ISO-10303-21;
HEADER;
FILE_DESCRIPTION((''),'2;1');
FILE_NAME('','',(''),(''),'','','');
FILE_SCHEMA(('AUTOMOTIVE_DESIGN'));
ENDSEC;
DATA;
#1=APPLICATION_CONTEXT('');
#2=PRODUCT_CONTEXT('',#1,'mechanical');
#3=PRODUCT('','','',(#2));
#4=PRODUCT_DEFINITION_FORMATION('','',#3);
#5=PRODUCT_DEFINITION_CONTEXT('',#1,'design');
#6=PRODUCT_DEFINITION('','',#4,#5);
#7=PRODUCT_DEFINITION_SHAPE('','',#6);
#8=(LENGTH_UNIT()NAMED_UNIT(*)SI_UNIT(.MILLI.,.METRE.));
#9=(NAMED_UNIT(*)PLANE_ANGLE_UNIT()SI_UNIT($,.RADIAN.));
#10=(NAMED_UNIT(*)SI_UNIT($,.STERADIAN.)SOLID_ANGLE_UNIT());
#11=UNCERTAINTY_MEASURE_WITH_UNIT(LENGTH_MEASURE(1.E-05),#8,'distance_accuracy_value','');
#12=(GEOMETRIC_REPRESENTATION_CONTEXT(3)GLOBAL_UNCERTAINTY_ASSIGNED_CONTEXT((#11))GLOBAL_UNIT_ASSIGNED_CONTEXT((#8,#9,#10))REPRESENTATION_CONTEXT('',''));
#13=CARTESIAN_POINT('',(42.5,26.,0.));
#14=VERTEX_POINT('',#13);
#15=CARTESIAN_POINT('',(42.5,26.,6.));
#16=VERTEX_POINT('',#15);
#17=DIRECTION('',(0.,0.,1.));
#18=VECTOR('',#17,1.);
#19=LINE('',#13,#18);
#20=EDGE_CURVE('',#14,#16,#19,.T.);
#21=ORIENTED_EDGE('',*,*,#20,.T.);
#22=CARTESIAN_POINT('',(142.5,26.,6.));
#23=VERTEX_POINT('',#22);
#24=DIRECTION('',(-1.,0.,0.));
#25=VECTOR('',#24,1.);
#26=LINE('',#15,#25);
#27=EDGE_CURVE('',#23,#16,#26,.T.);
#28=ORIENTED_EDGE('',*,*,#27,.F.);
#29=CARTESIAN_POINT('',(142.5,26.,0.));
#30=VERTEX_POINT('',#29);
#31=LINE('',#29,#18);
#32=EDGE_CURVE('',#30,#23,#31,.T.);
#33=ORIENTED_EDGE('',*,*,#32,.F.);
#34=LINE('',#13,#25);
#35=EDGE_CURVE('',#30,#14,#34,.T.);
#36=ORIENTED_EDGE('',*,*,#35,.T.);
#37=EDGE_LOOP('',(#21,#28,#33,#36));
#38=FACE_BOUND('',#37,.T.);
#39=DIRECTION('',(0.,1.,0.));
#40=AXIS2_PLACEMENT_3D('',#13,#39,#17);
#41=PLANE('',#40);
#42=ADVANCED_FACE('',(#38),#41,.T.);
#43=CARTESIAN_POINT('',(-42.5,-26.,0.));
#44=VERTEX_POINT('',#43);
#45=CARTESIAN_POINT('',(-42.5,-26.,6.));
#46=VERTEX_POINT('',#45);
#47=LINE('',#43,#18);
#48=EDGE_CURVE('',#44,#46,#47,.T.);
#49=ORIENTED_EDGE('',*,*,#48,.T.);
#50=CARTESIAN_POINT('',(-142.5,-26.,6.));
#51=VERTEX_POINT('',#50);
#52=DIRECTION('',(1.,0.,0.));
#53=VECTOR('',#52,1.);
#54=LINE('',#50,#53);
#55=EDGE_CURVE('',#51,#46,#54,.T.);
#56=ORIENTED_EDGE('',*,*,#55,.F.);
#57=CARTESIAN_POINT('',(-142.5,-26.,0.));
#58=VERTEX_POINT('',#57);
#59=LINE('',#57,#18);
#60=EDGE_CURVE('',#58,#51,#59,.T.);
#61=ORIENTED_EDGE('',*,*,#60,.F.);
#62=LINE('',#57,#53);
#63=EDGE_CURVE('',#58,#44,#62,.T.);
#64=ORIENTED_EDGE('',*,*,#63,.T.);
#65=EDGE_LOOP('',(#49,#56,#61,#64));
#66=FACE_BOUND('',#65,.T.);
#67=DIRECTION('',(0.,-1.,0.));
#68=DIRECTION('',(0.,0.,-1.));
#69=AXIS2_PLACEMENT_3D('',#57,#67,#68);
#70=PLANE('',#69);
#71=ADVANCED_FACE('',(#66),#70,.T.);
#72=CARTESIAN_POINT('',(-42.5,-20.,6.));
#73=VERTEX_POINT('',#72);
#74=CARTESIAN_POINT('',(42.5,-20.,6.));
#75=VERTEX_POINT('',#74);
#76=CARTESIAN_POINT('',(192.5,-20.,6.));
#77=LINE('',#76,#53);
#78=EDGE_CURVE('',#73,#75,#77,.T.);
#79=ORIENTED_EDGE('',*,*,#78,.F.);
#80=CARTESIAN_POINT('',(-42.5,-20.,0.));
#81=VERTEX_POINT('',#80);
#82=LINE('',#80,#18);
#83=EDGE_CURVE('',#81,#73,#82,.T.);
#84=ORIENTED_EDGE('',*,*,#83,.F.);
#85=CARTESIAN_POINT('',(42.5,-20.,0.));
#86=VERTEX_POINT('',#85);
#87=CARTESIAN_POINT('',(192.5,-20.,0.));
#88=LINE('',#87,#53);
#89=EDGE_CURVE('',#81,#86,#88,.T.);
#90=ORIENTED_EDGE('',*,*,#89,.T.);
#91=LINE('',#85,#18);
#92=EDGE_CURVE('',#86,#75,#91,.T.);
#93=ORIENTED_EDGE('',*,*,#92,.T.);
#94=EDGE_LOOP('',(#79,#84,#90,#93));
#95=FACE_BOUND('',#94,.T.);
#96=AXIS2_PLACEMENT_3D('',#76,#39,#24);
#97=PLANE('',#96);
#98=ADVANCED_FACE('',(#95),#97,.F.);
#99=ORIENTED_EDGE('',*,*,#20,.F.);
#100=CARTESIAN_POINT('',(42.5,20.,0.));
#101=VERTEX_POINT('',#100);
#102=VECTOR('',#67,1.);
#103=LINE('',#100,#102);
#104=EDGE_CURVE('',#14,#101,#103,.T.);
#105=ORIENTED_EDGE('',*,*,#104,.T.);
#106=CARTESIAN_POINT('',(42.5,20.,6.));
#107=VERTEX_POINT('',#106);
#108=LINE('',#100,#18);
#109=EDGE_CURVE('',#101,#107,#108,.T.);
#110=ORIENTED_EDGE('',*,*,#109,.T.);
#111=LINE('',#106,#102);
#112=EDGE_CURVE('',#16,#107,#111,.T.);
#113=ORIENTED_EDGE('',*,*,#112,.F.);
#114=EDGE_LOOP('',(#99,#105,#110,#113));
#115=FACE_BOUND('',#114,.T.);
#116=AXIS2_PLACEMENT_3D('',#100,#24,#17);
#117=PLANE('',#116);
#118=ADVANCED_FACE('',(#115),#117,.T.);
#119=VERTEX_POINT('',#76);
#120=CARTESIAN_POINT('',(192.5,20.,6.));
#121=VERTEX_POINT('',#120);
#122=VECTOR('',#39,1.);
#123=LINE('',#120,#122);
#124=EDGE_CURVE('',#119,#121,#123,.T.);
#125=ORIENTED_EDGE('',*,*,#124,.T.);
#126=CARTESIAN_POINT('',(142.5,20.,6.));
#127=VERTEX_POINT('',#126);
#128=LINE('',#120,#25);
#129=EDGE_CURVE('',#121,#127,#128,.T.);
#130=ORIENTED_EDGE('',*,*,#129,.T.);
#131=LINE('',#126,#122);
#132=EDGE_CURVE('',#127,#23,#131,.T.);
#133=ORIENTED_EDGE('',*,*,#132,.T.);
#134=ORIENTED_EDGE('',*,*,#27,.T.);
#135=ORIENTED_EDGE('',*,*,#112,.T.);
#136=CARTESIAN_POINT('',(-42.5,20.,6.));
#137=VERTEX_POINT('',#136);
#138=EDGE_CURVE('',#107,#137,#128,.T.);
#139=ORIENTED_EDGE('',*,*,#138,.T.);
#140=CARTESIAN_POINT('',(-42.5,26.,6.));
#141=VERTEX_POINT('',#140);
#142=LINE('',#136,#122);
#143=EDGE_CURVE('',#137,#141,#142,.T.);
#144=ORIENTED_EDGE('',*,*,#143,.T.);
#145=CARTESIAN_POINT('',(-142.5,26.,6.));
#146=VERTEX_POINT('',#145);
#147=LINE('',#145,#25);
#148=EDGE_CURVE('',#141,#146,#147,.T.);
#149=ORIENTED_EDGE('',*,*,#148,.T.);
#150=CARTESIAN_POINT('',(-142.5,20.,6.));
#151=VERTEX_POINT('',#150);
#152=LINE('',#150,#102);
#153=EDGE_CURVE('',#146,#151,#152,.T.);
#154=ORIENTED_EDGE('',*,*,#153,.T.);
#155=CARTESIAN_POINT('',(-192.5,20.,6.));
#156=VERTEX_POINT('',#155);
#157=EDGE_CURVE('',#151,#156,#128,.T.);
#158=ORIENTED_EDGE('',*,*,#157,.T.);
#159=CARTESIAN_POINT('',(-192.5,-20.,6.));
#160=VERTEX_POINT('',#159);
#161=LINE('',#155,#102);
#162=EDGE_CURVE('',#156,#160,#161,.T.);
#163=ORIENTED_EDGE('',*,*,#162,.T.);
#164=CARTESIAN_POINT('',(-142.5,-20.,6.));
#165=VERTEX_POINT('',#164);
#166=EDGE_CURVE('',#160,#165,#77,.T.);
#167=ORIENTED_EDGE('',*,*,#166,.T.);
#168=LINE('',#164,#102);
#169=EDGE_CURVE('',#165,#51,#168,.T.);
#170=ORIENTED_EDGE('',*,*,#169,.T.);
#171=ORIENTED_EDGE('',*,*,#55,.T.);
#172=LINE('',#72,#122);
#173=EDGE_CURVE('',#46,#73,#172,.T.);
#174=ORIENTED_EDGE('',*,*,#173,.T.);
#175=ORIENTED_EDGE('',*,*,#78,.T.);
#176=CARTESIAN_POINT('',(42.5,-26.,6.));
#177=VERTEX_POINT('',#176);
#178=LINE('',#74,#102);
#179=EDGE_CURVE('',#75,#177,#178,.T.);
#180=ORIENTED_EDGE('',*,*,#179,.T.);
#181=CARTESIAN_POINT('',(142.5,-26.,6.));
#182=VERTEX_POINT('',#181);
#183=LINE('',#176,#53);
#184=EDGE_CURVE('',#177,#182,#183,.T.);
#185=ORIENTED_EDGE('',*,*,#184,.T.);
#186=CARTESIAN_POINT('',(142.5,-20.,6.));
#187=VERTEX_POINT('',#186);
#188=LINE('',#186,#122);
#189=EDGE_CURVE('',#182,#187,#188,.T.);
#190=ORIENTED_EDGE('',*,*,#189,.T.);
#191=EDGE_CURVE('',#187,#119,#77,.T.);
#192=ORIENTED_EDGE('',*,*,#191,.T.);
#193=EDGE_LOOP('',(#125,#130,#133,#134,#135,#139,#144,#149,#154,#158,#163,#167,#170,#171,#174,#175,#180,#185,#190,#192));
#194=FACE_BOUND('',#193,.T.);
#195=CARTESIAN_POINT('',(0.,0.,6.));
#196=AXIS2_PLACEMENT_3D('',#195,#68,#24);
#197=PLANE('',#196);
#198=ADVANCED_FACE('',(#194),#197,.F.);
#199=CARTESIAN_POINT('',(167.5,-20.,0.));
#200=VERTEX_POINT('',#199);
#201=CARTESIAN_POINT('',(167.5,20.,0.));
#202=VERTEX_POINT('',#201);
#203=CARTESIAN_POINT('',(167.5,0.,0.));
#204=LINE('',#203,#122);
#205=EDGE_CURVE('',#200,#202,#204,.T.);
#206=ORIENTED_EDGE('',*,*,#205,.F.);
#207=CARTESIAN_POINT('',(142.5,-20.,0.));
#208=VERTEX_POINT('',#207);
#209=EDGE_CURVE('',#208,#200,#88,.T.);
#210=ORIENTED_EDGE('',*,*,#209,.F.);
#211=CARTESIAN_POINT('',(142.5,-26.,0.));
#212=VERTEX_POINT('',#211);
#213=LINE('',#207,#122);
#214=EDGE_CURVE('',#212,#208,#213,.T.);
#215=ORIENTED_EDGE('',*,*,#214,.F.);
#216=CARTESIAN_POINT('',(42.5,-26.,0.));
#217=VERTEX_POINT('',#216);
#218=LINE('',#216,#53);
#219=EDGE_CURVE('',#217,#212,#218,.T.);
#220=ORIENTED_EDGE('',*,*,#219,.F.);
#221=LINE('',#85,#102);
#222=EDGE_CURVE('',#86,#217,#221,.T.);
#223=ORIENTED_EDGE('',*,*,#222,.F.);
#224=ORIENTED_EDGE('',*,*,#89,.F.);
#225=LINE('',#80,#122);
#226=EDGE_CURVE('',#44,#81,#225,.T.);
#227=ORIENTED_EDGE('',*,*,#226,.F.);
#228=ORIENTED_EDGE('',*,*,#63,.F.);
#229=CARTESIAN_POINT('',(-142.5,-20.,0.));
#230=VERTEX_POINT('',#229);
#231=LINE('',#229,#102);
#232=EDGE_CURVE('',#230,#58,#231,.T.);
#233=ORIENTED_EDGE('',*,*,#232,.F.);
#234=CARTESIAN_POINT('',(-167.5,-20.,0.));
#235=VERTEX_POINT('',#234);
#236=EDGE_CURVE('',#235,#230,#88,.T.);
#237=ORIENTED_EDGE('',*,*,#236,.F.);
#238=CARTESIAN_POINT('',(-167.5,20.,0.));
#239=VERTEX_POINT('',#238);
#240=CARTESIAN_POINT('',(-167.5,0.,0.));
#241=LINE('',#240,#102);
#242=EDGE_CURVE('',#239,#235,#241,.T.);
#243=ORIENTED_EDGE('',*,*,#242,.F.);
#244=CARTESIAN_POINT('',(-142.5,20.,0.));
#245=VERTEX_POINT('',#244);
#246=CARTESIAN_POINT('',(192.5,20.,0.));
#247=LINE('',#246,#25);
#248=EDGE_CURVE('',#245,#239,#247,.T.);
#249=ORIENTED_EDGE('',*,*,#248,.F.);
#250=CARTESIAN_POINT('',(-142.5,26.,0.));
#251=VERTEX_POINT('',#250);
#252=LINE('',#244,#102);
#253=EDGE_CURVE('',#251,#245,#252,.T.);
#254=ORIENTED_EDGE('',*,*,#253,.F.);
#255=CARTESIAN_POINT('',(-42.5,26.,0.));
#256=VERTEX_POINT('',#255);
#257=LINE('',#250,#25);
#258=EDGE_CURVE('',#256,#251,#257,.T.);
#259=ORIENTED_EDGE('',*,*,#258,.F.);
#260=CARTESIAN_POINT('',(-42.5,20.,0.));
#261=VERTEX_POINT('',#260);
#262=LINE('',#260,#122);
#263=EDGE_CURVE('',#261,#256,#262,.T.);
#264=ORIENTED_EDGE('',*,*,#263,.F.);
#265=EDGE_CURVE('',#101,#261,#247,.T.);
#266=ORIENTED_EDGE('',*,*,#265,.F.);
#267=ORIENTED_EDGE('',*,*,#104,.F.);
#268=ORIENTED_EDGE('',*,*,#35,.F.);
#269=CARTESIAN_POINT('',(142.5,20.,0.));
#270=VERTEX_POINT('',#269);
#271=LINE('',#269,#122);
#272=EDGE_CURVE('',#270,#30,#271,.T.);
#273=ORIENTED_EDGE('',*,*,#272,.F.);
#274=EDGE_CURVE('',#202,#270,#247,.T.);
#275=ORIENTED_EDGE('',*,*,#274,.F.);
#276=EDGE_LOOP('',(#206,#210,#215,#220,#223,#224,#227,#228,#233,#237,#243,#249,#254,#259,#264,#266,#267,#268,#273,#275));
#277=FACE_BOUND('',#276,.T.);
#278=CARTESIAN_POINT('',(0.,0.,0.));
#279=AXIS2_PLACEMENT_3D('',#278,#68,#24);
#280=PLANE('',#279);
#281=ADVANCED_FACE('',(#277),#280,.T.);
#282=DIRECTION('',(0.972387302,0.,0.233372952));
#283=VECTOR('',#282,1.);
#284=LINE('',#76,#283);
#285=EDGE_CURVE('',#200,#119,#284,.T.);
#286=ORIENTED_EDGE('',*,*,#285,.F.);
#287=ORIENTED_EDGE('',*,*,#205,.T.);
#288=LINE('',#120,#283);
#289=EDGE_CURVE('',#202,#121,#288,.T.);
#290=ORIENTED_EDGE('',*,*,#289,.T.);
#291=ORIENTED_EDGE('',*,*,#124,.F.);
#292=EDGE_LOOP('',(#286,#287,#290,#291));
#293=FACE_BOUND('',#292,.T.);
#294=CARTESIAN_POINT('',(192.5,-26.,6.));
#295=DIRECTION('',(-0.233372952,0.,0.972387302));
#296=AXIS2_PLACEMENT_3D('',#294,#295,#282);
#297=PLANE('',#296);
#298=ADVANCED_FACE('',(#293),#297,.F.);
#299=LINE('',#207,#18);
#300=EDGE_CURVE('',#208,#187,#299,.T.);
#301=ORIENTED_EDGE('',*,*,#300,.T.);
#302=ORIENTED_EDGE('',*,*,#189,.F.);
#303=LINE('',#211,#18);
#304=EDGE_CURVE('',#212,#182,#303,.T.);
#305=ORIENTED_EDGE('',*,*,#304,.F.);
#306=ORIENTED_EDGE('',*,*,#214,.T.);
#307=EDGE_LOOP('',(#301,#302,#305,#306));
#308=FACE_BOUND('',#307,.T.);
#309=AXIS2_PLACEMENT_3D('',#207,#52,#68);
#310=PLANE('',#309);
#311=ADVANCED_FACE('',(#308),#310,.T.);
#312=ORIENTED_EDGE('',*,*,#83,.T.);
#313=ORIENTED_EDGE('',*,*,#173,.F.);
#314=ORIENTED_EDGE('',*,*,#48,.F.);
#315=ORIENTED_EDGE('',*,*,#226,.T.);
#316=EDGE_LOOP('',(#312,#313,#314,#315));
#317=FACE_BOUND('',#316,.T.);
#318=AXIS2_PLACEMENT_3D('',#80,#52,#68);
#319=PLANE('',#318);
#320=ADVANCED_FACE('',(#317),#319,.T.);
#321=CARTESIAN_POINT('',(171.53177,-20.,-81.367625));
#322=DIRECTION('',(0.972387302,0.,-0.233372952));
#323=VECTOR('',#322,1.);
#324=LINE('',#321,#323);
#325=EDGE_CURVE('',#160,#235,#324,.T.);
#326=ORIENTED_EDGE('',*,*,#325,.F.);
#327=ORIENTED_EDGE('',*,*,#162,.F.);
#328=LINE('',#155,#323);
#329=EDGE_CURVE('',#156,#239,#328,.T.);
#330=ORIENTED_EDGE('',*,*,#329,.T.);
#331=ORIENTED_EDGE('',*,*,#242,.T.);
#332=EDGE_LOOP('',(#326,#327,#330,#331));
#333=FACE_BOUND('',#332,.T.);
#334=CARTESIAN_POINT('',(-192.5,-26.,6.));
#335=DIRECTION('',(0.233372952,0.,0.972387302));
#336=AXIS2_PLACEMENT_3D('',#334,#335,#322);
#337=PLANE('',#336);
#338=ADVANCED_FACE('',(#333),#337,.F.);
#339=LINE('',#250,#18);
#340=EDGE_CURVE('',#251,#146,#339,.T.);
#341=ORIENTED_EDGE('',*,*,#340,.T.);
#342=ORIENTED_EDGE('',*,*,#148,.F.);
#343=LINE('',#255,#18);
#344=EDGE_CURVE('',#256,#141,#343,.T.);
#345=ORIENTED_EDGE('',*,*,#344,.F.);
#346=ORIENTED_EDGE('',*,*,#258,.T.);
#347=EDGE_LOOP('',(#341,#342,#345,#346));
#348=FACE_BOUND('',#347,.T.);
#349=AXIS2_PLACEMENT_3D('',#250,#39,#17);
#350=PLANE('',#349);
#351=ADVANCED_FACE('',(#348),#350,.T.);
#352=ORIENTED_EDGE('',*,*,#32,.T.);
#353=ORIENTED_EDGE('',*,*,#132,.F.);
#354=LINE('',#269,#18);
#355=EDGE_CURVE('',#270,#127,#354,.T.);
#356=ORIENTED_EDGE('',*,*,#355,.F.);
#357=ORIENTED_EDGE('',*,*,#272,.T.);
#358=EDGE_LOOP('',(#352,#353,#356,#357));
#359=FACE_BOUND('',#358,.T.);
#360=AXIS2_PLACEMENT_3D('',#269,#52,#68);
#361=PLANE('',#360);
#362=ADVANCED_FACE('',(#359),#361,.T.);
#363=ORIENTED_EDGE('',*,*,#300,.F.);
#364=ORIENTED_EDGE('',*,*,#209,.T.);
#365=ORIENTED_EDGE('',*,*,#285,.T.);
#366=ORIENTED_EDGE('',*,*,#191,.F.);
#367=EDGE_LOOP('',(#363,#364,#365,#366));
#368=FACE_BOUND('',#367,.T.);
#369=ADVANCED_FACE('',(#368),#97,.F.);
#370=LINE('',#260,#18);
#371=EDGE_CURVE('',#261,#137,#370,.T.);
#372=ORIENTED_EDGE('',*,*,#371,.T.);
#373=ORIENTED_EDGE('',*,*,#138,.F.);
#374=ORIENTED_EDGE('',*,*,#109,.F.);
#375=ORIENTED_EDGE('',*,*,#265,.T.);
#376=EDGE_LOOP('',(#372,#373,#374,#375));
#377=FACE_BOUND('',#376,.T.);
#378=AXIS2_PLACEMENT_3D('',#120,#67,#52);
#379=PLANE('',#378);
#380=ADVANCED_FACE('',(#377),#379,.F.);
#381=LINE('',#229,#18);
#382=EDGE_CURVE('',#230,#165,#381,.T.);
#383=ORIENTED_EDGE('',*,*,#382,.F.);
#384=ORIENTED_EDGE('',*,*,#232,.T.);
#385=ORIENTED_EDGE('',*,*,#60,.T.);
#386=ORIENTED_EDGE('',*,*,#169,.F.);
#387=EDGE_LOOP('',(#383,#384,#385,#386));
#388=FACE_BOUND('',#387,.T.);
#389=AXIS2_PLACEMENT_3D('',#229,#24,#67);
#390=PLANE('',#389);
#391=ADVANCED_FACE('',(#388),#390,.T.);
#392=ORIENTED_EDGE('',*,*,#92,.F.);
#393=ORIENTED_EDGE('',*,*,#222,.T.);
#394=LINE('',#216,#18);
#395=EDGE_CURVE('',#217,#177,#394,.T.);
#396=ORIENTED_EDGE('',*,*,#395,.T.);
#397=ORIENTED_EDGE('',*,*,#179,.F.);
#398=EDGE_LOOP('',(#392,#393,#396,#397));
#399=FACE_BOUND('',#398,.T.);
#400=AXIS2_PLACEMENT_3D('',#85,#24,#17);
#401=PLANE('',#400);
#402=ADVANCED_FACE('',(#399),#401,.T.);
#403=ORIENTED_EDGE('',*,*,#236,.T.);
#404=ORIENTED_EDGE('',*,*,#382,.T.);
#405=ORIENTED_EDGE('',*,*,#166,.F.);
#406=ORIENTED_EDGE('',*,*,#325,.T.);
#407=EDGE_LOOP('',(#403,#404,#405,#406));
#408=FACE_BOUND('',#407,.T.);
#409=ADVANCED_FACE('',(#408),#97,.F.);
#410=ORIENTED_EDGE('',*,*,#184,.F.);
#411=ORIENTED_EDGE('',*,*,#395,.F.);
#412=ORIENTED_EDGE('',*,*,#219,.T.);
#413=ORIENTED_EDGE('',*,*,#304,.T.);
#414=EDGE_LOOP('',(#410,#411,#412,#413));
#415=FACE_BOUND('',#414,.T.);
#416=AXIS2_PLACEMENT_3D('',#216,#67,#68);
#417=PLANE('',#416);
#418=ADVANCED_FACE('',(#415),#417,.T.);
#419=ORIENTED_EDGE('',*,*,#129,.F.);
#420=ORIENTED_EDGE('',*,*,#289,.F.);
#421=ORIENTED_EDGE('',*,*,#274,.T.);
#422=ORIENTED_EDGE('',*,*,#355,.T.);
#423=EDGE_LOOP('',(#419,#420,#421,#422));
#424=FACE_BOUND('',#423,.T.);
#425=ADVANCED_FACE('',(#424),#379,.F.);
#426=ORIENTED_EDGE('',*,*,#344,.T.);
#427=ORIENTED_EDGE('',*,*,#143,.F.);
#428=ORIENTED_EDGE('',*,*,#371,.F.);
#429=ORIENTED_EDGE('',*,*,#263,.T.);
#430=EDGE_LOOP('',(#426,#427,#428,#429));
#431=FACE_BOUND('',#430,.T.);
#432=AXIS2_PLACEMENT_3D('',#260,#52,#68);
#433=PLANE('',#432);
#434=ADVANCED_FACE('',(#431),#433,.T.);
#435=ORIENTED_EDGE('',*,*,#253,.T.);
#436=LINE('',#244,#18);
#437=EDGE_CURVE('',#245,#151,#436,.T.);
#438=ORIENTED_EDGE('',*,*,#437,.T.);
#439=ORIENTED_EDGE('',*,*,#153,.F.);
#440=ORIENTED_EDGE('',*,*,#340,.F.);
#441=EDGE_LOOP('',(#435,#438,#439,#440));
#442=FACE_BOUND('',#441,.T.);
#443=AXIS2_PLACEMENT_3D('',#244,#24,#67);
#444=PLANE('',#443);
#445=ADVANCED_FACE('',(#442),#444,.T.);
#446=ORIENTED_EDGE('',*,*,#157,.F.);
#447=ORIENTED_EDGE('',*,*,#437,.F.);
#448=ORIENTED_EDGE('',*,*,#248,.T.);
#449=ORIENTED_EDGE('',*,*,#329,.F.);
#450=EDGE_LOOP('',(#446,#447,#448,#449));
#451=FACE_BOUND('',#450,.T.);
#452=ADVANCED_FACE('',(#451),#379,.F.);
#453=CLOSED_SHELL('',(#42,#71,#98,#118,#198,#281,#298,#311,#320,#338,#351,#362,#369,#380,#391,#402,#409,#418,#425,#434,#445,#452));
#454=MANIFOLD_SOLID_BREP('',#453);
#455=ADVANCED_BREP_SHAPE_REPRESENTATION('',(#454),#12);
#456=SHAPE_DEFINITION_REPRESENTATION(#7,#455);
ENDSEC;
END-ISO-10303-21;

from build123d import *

# Parameters (mm, degrees)
ESQUISSE1_W             = 385
ESQUISSE1_H             = 40
BOSS_EXTRU_1_DEPTH      = 6
ESQUISSE3_W             = 100
ESQUISSE3_H             = 6
BOSS_EXTRU_2_DEPTH      = 6
ENL_V_MAT_EXTRU_1_DEPTH = 47


with BuildPart() as part:
    # Esquisse1 → Boss.-Extru.1 (new body)
    with BuildSketch(Plane.XY):
        Rectangle(ESQUISSE1_W, ESQUISSE1_H)
    extrude(amount=BOSS_EXTRU_1_DEPTH)

    # Esquisse3 → Boss.-Extru.2 (add)
    with BuildSketch(Plane.XY.offset(6)):
        with Locations((-92.5, 23)):
            Rectangle(ESQUISSE3_W, ESQUISSE3_H)
        with Locations((92.5, 23)):
            Rectangle(ESQUISSE3_W, ESQUISSE3_H)
        with Locations((92.5, -23)):
            Rectangle(ESQUISSE3_W, ESQUISSE3_H)
        with Locations((-92.5, -23)):
            Rectangle(ESQUISSE3_W, ESQUISSE3_H)
    extrude(amount=-BOSS_EXTRU_2_DEPTH)

    # Esquisse4 → Enlèv. mat.-Extru.1 (cut, through all)
    with BuildSketch(Plane(origin=(0, 20, 0), x_dir=(1, 0, 0), z_dir=(0, 1, 0))):
        Polygon((-192.5, -6), (-167.5, 0), (-192.5, 0), align=None)
        Polygon((192.5, -6), (167.5, 0), (192.5, 0), align=None)
    extrude(amount=-ENL_V_MAT_EXTRU_1_DEPTH, mode=Mode.SUBTRACT)


solid = part.part
